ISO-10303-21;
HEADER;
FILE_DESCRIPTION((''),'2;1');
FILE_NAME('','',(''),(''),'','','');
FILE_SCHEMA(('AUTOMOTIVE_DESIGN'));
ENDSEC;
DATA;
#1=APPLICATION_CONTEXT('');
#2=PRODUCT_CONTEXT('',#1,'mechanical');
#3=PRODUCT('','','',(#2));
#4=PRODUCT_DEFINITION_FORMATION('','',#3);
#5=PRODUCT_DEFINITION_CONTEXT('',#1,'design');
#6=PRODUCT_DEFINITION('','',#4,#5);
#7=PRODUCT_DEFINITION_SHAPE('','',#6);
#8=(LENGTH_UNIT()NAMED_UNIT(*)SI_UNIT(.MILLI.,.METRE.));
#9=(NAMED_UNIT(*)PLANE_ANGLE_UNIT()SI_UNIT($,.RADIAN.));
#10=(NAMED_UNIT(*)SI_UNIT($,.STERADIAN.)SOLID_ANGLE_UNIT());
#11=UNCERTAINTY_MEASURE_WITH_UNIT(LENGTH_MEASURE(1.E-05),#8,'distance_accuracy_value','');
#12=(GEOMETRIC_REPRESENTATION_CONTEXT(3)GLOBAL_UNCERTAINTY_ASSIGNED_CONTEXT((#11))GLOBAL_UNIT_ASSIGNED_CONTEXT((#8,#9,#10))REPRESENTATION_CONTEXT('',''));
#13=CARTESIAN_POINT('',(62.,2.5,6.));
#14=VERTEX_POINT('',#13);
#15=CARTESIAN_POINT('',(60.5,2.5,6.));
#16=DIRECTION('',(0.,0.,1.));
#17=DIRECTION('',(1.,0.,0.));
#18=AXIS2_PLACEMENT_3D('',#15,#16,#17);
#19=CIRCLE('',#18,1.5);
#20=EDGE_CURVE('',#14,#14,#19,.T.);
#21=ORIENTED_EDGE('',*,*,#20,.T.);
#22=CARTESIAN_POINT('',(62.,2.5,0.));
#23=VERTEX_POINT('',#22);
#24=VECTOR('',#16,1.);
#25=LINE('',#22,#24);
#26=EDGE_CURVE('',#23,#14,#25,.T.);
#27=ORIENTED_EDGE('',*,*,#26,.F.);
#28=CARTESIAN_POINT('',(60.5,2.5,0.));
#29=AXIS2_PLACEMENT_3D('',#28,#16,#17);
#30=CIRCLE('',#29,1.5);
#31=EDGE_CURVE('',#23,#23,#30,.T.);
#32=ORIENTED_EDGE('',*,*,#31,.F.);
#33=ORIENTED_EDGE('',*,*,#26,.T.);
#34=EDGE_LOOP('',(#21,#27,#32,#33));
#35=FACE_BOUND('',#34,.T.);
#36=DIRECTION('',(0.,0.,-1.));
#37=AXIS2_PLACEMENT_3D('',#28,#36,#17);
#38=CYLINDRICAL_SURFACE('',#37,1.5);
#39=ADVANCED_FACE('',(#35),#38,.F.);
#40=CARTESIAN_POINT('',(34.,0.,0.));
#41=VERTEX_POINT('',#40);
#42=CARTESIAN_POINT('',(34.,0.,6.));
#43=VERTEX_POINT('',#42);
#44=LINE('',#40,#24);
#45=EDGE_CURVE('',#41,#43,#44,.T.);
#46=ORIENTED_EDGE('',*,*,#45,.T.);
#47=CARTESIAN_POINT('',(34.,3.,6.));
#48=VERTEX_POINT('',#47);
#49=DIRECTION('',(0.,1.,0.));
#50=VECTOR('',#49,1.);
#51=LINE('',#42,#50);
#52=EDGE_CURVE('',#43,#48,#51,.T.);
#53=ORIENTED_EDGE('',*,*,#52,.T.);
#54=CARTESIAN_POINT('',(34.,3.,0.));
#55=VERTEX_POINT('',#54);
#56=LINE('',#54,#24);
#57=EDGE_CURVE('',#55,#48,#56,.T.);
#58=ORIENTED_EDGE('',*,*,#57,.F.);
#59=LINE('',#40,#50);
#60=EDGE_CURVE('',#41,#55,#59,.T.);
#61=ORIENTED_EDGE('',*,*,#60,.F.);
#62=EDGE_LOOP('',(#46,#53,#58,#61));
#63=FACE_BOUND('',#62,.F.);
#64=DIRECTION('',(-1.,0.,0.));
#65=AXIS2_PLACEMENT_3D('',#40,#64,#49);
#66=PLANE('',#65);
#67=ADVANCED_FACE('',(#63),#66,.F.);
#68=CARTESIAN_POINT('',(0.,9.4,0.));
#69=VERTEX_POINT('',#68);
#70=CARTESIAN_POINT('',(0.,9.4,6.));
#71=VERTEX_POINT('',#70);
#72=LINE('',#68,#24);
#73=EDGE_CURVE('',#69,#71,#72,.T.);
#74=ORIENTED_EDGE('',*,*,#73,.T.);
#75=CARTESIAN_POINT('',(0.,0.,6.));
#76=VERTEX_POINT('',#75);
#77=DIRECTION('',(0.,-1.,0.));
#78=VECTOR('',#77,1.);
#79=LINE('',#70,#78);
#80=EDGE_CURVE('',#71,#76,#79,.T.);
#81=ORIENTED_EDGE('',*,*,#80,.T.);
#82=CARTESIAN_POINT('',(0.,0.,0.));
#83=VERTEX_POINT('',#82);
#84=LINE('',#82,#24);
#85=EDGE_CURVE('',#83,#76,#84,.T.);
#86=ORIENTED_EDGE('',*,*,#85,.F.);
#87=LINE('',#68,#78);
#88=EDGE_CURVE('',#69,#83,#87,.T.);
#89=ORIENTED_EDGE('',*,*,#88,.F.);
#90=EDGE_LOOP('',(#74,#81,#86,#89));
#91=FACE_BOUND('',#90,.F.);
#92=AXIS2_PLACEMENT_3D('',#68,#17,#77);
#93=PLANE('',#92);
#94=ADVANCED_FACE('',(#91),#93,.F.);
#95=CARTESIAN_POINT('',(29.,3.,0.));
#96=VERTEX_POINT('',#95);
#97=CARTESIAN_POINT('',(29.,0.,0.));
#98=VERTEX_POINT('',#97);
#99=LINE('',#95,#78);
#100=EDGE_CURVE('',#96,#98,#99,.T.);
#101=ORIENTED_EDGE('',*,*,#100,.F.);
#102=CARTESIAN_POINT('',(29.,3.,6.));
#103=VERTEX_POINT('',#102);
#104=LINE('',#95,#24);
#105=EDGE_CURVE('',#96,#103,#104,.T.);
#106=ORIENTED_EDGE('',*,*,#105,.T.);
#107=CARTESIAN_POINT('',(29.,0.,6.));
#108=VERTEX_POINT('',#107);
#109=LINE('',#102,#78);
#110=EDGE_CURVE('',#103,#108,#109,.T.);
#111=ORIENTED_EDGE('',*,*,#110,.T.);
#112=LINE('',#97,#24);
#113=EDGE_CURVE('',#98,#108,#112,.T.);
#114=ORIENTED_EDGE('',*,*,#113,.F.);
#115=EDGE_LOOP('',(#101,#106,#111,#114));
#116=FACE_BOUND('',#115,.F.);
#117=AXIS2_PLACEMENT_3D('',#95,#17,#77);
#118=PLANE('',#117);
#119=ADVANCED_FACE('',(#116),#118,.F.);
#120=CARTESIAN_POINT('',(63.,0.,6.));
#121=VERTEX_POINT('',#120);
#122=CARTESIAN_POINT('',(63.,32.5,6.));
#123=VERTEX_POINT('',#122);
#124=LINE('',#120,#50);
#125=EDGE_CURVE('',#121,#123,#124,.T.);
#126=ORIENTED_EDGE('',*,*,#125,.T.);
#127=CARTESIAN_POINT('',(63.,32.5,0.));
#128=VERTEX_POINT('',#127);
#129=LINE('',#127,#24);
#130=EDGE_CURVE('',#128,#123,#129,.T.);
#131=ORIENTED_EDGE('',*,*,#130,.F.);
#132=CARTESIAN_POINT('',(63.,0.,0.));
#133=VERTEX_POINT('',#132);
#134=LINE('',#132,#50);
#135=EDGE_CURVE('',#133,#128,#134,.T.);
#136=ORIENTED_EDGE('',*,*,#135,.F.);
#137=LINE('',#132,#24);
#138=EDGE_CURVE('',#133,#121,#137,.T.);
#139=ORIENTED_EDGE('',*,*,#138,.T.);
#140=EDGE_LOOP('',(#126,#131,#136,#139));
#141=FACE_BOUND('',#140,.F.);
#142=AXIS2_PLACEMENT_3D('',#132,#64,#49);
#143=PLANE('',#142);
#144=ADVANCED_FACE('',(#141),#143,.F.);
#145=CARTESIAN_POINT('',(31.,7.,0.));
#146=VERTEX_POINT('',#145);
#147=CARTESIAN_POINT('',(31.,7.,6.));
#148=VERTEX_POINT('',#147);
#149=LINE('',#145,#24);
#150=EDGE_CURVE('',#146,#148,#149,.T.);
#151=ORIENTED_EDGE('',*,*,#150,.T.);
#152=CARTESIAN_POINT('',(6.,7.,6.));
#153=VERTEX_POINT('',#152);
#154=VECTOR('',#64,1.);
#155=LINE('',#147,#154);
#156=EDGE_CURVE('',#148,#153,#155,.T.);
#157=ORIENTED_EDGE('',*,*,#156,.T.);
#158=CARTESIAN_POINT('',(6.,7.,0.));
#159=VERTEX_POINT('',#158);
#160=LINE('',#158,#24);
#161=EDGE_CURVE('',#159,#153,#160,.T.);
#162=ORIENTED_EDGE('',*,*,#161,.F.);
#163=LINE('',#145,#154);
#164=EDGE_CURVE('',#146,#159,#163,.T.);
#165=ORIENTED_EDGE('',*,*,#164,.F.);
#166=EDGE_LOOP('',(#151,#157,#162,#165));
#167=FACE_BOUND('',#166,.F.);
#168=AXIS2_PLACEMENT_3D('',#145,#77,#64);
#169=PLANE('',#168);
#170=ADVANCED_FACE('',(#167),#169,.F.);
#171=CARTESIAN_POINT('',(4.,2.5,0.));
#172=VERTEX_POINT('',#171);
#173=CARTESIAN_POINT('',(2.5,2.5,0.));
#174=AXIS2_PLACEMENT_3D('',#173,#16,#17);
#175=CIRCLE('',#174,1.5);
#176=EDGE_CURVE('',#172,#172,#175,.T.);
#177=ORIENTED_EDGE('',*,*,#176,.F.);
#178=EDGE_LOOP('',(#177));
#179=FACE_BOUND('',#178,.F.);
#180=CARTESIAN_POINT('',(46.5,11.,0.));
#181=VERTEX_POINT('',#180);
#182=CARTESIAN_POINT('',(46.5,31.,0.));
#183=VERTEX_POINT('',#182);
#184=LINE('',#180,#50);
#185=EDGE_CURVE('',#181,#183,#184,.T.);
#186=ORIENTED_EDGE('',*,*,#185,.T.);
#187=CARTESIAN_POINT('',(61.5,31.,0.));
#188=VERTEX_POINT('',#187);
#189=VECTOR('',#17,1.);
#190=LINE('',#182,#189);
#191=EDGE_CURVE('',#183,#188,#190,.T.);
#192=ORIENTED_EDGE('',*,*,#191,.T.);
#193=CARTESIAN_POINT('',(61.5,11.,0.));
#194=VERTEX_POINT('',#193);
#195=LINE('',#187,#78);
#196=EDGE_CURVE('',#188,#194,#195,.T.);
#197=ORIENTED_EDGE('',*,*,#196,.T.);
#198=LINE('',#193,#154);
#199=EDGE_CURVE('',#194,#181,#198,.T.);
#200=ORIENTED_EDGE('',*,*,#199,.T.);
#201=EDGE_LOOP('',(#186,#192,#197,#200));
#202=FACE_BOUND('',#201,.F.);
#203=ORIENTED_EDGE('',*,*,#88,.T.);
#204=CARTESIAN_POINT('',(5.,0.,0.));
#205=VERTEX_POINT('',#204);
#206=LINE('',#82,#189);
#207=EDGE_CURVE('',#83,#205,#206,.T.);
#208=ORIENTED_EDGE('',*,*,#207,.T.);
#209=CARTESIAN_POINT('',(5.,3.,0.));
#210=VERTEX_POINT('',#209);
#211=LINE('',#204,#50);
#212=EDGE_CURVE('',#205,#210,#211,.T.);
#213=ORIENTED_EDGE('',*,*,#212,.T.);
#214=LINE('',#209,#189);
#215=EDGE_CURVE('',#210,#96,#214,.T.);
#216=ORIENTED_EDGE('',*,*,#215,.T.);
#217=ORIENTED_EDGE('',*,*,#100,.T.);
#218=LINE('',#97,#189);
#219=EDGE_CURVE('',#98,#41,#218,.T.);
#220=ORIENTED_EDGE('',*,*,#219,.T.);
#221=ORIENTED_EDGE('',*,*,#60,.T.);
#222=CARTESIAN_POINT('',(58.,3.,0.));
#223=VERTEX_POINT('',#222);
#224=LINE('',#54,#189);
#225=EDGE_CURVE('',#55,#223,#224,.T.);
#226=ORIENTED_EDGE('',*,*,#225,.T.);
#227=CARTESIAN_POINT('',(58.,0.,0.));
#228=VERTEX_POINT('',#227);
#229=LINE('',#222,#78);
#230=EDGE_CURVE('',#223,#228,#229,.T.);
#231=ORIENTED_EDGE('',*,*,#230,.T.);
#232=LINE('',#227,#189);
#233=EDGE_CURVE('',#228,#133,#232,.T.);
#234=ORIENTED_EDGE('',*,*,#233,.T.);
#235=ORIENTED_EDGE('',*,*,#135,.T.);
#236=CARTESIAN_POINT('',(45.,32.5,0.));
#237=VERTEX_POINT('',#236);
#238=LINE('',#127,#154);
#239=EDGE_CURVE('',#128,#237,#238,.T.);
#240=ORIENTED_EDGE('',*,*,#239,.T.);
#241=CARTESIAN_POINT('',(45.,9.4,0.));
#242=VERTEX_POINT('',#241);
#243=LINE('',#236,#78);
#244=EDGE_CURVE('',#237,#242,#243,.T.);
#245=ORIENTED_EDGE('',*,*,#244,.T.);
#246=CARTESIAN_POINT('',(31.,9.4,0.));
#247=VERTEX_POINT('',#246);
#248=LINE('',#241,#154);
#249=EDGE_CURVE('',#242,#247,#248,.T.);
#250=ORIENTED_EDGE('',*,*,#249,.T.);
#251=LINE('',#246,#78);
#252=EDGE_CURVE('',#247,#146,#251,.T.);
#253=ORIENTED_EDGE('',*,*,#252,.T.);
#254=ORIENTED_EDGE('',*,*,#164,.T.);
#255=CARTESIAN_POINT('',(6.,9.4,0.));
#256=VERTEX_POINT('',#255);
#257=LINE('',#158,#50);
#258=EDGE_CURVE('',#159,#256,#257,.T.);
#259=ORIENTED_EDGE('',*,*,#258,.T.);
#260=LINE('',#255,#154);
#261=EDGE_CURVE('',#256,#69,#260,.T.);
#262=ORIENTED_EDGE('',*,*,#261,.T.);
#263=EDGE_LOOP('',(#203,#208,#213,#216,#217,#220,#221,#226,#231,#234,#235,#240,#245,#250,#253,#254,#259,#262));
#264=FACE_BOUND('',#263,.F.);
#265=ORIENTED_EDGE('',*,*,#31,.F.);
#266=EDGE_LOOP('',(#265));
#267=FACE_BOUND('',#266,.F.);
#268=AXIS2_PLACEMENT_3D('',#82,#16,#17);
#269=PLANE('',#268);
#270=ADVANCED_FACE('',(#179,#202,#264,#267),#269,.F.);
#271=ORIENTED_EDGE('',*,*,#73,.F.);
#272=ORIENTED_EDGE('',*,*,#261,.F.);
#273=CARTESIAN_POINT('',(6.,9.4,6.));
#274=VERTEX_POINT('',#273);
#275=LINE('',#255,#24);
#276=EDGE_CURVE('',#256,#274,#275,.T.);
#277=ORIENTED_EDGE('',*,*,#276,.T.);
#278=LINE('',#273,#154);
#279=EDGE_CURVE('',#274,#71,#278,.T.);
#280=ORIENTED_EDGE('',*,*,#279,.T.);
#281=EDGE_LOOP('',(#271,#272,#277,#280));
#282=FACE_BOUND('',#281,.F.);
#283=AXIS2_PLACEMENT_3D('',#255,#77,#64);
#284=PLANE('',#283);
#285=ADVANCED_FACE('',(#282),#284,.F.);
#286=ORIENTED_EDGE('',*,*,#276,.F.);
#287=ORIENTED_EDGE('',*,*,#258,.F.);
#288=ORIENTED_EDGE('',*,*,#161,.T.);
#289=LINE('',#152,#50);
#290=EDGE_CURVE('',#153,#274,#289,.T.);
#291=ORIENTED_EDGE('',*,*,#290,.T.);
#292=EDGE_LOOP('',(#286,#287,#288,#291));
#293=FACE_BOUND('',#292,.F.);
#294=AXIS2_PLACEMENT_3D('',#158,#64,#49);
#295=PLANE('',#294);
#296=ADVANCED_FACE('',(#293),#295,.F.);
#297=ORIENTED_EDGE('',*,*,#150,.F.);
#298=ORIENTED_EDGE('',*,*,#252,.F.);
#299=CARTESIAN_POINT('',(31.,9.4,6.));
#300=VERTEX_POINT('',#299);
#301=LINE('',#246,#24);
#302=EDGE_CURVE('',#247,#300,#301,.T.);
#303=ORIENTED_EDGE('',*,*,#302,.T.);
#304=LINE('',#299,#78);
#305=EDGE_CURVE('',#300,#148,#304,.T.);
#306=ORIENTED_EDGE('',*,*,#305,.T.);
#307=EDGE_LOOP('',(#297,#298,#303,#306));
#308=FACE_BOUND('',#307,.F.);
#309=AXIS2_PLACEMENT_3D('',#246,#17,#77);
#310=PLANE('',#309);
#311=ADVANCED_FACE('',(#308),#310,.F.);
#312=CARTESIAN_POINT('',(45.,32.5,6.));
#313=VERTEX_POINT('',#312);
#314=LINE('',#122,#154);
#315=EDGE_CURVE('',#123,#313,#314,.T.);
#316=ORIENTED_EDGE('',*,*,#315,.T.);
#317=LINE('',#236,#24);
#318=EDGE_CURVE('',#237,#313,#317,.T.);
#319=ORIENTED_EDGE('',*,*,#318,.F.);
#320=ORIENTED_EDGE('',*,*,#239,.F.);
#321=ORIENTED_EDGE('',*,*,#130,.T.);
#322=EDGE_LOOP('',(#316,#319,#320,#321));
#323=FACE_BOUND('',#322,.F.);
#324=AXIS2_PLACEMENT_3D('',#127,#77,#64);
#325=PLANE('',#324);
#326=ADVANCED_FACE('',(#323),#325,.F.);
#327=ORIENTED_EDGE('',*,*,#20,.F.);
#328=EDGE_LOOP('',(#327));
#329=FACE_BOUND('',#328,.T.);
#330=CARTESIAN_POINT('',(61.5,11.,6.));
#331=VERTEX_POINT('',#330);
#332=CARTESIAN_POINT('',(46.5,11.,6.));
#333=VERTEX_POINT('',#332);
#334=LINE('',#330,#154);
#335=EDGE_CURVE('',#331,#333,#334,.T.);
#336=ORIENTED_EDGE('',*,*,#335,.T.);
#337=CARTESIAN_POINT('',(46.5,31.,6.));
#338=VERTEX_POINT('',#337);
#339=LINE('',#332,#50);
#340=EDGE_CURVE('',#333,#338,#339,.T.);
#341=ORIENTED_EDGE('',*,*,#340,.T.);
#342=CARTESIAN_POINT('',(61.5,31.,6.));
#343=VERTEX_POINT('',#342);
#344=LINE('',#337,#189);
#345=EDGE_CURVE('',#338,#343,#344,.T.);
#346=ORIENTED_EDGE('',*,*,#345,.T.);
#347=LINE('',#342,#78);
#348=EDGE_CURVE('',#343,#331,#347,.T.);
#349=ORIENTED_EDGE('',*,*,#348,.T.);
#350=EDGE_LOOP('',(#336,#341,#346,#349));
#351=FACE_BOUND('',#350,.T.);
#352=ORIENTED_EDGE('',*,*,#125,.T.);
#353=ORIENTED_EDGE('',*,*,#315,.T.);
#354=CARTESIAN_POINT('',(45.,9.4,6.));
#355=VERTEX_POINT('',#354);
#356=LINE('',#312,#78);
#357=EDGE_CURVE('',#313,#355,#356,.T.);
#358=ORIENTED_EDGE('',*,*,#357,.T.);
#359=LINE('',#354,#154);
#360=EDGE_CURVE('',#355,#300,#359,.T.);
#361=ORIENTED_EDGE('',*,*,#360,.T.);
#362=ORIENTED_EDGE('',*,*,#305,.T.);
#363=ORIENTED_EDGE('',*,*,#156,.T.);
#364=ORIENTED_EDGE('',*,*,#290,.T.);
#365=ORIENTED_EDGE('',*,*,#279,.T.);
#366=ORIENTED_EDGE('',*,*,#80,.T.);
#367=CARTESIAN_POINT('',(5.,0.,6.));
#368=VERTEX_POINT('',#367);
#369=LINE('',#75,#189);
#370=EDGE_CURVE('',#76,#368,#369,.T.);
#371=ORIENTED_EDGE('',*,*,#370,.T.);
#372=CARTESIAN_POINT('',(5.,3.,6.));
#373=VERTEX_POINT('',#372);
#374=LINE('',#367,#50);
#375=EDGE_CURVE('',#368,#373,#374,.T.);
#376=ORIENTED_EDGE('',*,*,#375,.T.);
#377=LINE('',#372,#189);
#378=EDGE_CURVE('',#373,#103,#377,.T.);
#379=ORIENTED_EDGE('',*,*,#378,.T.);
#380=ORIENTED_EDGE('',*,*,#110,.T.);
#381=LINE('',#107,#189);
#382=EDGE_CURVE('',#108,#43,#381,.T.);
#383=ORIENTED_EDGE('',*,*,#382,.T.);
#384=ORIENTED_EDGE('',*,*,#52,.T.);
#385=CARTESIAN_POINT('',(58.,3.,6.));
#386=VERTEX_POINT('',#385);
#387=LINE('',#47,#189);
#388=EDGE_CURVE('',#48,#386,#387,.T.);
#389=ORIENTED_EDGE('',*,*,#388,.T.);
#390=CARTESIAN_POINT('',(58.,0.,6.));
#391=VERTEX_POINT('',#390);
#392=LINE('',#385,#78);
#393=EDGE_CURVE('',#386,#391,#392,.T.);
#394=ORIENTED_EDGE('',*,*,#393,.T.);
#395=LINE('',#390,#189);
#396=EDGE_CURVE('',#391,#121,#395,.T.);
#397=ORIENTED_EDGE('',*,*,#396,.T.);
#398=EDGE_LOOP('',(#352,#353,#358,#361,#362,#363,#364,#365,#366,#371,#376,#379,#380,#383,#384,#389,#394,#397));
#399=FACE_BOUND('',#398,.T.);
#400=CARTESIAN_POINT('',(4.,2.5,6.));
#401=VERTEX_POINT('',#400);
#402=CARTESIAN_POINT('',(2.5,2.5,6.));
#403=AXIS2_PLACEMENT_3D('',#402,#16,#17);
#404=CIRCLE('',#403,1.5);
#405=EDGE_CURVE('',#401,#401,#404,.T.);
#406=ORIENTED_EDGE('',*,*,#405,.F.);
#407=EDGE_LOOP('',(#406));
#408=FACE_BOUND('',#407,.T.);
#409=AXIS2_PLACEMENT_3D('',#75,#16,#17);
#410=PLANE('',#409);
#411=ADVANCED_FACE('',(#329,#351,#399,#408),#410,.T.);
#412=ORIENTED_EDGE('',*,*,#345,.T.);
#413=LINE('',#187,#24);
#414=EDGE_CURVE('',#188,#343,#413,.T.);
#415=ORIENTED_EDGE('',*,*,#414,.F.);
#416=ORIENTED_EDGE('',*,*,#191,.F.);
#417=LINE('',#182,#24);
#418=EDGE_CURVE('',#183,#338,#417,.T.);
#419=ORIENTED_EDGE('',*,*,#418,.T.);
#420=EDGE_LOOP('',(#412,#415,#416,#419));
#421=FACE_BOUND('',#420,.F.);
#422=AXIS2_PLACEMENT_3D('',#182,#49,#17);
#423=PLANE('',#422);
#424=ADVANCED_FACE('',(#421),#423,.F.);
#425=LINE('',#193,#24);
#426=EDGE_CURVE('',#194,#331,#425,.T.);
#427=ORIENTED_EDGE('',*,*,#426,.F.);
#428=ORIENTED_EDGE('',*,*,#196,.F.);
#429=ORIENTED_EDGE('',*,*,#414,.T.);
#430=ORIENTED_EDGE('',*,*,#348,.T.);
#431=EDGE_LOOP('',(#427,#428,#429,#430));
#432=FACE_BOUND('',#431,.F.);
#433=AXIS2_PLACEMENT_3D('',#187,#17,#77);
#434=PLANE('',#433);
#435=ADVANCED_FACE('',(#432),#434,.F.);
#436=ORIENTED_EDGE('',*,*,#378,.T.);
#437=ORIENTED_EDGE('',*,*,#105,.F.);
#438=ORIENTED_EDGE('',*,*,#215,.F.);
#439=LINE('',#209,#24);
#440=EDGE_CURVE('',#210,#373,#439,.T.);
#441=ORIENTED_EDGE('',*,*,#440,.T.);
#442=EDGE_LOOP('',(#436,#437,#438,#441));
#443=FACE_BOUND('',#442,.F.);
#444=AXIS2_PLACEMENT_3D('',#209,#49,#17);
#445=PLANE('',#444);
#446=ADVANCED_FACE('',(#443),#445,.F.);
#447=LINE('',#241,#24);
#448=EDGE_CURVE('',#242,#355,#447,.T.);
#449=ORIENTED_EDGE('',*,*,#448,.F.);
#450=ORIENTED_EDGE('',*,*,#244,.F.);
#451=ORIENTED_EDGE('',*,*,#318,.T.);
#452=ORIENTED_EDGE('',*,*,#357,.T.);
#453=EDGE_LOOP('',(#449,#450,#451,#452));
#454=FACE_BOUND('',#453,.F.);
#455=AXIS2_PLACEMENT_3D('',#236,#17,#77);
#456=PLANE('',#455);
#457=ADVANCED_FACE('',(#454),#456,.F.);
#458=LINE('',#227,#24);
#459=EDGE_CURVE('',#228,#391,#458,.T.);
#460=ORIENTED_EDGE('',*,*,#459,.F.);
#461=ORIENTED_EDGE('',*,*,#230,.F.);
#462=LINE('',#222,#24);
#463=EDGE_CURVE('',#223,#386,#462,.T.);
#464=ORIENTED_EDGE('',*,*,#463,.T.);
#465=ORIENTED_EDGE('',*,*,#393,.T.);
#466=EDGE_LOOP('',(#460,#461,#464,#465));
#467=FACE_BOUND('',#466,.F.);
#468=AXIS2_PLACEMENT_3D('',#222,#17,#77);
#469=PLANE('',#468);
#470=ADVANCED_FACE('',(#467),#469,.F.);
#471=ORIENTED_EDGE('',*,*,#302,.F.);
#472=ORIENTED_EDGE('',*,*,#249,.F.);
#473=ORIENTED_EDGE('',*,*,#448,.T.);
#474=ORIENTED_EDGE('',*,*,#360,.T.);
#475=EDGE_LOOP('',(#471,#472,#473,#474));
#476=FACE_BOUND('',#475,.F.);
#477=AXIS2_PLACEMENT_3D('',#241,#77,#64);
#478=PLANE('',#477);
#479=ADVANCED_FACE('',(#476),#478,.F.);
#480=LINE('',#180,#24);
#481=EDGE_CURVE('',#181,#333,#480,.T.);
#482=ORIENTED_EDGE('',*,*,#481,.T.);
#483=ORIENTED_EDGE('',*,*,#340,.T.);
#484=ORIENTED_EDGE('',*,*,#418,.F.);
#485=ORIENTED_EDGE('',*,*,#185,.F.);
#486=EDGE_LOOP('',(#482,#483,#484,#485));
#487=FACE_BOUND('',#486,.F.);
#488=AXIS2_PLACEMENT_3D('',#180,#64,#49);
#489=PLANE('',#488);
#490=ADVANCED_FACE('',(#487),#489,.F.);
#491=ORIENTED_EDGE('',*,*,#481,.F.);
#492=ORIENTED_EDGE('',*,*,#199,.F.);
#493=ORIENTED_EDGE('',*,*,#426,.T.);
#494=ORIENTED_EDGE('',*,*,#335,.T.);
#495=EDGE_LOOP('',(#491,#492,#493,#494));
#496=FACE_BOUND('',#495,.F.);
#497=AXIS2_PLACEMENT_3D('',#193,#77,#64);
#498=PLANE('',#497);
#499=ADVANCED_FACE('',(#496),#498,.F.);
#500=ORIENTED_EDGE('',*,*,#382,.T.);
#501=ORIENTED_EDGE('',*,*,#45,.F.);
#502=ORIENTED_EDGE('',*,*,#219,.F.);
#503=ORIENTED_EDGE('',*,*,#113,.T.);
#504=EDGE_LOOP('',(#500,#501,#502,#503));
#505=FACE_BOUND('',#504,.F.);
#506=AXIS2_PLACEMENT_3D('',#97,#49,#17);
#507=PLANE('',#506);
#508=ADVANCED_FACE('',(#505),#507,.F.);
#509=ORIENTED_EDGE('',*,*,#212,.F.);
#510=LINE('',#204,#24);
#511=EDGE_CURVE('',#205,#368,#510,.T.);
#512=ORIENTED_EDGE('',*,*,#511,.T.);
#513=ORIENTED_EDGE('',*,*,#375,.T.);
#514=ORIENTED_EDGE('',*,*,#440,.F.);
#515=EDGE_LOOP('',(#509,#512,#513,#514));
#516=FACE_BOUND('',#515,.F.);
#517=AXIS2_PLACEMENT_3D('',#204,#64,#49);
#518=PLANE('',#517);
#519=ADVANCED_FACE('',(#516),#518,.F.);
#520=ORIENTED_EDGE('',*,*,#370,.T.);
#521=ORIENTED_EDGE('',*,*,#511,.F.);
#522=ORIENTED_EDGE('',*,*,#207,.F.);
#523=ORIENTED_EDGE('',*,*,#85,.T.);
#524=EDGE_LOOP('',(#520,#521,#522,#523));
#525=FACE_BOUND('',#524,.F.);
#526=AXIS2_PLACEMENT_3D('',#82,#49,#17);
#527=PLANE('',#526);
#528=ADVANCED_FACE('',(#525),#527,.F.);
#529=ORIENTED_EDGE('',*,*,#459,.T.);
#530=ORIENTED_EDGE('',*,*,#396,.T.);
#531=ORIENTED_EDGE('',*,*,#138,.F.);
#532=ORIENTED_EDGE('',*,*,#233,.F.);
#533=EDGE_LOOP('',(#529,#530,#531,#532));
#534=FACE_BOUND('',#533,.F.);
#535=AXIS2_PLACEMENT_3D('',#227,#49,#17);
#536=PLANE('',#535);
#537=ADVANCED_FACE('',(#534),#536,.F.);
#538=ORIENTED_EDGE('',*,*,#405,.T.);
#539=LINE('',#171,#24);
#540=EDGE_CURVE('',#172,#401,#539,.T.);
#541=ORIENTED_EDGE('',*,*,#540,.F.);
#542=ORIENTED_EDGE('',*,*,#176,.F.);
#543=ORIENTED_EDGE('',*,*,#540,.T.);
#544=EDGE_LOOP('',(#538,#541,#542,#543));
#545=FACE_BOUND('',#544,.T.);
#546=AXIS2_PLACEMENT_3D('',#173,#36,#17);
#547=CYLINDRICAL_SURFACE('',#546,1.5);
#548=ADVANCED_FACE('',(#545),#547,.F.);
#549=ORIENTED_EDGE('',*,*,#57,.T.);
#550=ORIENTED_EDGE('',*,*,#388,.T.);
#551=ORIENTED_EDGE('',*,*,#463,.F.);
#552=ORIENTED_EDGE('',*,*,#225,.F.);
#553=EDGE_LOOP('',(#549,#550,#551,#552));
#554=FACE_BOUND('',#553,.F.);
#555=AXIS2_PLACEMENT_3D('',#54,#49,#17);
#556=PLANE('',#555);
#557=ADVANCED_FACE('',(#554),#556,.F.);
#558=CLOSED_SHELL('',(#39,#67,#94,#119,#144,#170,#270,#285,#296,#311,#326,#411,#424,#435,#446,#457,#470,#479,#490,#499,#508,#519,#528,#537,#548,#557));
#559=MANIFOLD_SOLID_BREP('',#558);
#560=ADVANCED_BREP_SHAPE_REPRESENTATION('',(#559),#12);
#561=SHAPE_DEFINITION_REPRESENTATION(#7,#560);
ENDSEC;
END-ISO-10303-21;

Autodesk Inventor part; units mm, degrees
ref_plane "YZ Plane" through (0, 0, 0) normal (1, 0, 0) x (0, 1, 0)
ref_plane "XZ Plane" through (0, 0, 0) normal (0, 1, 0) x (-1, 0, 0)
ref_plane "XY Plane" through (0, 0, 0) normal (0, 0, 1) x (1, 0, 0)
sketch "Sketch1" plane through (0, 0, 0) normal (0, 0, 1) x (1, 0, 0)
  line L0 (46.5, 31) -> (61.5, 31)
  line L1 (61.5, 31) -> (61.5, 11)
  line L2 (61.5, 11) -> (46.5, 11)
  line L3 (46.5, 11) -> (46.5, 31)
  circle A0 centre (60.5, 2.5) radius 1.5
  circle A1 centre (2.5, 2.5) radius 1.5
  line L4 (0, 9.4) -> (0, 0)
  line L5 (0, 0) -> (5, 0)
  line L6 (5, 0) -> (5, 3)
  line L7 (5, 3) -> (29, 3)
  line L8 (29, 3) -> (29, 0)
  line L9 (29, 0) -> (34, 0)
  line L10 (34, 0) -> (34, 3)
  line L11 (34, 3) -> (58, 3)
  line L12 (58, 3) -> (58, 0)
  line L13 (58, 0) -> (63, 0)
  line L14 (63, 0) -> (63, 32.5)
  line L15 (63, 32.5) -> (45, 32.5)
  line L16 (45, 32.5) -> (45, 9.4)
  line L17 (45, 9.4) -> (31, 9.4)
  line L18 (31, 9.4) -> (31, 7)
  line L19 (31, 7) -> (6, 7)
  line L20 (6, 7) -> (6, 9.4)
  line L21 (6, 9.4) -> (0, 9.4)
extrude "Extrusion1" add sketch "Sketch1" along normal blind 6
properties part number "yCarMid_d"
